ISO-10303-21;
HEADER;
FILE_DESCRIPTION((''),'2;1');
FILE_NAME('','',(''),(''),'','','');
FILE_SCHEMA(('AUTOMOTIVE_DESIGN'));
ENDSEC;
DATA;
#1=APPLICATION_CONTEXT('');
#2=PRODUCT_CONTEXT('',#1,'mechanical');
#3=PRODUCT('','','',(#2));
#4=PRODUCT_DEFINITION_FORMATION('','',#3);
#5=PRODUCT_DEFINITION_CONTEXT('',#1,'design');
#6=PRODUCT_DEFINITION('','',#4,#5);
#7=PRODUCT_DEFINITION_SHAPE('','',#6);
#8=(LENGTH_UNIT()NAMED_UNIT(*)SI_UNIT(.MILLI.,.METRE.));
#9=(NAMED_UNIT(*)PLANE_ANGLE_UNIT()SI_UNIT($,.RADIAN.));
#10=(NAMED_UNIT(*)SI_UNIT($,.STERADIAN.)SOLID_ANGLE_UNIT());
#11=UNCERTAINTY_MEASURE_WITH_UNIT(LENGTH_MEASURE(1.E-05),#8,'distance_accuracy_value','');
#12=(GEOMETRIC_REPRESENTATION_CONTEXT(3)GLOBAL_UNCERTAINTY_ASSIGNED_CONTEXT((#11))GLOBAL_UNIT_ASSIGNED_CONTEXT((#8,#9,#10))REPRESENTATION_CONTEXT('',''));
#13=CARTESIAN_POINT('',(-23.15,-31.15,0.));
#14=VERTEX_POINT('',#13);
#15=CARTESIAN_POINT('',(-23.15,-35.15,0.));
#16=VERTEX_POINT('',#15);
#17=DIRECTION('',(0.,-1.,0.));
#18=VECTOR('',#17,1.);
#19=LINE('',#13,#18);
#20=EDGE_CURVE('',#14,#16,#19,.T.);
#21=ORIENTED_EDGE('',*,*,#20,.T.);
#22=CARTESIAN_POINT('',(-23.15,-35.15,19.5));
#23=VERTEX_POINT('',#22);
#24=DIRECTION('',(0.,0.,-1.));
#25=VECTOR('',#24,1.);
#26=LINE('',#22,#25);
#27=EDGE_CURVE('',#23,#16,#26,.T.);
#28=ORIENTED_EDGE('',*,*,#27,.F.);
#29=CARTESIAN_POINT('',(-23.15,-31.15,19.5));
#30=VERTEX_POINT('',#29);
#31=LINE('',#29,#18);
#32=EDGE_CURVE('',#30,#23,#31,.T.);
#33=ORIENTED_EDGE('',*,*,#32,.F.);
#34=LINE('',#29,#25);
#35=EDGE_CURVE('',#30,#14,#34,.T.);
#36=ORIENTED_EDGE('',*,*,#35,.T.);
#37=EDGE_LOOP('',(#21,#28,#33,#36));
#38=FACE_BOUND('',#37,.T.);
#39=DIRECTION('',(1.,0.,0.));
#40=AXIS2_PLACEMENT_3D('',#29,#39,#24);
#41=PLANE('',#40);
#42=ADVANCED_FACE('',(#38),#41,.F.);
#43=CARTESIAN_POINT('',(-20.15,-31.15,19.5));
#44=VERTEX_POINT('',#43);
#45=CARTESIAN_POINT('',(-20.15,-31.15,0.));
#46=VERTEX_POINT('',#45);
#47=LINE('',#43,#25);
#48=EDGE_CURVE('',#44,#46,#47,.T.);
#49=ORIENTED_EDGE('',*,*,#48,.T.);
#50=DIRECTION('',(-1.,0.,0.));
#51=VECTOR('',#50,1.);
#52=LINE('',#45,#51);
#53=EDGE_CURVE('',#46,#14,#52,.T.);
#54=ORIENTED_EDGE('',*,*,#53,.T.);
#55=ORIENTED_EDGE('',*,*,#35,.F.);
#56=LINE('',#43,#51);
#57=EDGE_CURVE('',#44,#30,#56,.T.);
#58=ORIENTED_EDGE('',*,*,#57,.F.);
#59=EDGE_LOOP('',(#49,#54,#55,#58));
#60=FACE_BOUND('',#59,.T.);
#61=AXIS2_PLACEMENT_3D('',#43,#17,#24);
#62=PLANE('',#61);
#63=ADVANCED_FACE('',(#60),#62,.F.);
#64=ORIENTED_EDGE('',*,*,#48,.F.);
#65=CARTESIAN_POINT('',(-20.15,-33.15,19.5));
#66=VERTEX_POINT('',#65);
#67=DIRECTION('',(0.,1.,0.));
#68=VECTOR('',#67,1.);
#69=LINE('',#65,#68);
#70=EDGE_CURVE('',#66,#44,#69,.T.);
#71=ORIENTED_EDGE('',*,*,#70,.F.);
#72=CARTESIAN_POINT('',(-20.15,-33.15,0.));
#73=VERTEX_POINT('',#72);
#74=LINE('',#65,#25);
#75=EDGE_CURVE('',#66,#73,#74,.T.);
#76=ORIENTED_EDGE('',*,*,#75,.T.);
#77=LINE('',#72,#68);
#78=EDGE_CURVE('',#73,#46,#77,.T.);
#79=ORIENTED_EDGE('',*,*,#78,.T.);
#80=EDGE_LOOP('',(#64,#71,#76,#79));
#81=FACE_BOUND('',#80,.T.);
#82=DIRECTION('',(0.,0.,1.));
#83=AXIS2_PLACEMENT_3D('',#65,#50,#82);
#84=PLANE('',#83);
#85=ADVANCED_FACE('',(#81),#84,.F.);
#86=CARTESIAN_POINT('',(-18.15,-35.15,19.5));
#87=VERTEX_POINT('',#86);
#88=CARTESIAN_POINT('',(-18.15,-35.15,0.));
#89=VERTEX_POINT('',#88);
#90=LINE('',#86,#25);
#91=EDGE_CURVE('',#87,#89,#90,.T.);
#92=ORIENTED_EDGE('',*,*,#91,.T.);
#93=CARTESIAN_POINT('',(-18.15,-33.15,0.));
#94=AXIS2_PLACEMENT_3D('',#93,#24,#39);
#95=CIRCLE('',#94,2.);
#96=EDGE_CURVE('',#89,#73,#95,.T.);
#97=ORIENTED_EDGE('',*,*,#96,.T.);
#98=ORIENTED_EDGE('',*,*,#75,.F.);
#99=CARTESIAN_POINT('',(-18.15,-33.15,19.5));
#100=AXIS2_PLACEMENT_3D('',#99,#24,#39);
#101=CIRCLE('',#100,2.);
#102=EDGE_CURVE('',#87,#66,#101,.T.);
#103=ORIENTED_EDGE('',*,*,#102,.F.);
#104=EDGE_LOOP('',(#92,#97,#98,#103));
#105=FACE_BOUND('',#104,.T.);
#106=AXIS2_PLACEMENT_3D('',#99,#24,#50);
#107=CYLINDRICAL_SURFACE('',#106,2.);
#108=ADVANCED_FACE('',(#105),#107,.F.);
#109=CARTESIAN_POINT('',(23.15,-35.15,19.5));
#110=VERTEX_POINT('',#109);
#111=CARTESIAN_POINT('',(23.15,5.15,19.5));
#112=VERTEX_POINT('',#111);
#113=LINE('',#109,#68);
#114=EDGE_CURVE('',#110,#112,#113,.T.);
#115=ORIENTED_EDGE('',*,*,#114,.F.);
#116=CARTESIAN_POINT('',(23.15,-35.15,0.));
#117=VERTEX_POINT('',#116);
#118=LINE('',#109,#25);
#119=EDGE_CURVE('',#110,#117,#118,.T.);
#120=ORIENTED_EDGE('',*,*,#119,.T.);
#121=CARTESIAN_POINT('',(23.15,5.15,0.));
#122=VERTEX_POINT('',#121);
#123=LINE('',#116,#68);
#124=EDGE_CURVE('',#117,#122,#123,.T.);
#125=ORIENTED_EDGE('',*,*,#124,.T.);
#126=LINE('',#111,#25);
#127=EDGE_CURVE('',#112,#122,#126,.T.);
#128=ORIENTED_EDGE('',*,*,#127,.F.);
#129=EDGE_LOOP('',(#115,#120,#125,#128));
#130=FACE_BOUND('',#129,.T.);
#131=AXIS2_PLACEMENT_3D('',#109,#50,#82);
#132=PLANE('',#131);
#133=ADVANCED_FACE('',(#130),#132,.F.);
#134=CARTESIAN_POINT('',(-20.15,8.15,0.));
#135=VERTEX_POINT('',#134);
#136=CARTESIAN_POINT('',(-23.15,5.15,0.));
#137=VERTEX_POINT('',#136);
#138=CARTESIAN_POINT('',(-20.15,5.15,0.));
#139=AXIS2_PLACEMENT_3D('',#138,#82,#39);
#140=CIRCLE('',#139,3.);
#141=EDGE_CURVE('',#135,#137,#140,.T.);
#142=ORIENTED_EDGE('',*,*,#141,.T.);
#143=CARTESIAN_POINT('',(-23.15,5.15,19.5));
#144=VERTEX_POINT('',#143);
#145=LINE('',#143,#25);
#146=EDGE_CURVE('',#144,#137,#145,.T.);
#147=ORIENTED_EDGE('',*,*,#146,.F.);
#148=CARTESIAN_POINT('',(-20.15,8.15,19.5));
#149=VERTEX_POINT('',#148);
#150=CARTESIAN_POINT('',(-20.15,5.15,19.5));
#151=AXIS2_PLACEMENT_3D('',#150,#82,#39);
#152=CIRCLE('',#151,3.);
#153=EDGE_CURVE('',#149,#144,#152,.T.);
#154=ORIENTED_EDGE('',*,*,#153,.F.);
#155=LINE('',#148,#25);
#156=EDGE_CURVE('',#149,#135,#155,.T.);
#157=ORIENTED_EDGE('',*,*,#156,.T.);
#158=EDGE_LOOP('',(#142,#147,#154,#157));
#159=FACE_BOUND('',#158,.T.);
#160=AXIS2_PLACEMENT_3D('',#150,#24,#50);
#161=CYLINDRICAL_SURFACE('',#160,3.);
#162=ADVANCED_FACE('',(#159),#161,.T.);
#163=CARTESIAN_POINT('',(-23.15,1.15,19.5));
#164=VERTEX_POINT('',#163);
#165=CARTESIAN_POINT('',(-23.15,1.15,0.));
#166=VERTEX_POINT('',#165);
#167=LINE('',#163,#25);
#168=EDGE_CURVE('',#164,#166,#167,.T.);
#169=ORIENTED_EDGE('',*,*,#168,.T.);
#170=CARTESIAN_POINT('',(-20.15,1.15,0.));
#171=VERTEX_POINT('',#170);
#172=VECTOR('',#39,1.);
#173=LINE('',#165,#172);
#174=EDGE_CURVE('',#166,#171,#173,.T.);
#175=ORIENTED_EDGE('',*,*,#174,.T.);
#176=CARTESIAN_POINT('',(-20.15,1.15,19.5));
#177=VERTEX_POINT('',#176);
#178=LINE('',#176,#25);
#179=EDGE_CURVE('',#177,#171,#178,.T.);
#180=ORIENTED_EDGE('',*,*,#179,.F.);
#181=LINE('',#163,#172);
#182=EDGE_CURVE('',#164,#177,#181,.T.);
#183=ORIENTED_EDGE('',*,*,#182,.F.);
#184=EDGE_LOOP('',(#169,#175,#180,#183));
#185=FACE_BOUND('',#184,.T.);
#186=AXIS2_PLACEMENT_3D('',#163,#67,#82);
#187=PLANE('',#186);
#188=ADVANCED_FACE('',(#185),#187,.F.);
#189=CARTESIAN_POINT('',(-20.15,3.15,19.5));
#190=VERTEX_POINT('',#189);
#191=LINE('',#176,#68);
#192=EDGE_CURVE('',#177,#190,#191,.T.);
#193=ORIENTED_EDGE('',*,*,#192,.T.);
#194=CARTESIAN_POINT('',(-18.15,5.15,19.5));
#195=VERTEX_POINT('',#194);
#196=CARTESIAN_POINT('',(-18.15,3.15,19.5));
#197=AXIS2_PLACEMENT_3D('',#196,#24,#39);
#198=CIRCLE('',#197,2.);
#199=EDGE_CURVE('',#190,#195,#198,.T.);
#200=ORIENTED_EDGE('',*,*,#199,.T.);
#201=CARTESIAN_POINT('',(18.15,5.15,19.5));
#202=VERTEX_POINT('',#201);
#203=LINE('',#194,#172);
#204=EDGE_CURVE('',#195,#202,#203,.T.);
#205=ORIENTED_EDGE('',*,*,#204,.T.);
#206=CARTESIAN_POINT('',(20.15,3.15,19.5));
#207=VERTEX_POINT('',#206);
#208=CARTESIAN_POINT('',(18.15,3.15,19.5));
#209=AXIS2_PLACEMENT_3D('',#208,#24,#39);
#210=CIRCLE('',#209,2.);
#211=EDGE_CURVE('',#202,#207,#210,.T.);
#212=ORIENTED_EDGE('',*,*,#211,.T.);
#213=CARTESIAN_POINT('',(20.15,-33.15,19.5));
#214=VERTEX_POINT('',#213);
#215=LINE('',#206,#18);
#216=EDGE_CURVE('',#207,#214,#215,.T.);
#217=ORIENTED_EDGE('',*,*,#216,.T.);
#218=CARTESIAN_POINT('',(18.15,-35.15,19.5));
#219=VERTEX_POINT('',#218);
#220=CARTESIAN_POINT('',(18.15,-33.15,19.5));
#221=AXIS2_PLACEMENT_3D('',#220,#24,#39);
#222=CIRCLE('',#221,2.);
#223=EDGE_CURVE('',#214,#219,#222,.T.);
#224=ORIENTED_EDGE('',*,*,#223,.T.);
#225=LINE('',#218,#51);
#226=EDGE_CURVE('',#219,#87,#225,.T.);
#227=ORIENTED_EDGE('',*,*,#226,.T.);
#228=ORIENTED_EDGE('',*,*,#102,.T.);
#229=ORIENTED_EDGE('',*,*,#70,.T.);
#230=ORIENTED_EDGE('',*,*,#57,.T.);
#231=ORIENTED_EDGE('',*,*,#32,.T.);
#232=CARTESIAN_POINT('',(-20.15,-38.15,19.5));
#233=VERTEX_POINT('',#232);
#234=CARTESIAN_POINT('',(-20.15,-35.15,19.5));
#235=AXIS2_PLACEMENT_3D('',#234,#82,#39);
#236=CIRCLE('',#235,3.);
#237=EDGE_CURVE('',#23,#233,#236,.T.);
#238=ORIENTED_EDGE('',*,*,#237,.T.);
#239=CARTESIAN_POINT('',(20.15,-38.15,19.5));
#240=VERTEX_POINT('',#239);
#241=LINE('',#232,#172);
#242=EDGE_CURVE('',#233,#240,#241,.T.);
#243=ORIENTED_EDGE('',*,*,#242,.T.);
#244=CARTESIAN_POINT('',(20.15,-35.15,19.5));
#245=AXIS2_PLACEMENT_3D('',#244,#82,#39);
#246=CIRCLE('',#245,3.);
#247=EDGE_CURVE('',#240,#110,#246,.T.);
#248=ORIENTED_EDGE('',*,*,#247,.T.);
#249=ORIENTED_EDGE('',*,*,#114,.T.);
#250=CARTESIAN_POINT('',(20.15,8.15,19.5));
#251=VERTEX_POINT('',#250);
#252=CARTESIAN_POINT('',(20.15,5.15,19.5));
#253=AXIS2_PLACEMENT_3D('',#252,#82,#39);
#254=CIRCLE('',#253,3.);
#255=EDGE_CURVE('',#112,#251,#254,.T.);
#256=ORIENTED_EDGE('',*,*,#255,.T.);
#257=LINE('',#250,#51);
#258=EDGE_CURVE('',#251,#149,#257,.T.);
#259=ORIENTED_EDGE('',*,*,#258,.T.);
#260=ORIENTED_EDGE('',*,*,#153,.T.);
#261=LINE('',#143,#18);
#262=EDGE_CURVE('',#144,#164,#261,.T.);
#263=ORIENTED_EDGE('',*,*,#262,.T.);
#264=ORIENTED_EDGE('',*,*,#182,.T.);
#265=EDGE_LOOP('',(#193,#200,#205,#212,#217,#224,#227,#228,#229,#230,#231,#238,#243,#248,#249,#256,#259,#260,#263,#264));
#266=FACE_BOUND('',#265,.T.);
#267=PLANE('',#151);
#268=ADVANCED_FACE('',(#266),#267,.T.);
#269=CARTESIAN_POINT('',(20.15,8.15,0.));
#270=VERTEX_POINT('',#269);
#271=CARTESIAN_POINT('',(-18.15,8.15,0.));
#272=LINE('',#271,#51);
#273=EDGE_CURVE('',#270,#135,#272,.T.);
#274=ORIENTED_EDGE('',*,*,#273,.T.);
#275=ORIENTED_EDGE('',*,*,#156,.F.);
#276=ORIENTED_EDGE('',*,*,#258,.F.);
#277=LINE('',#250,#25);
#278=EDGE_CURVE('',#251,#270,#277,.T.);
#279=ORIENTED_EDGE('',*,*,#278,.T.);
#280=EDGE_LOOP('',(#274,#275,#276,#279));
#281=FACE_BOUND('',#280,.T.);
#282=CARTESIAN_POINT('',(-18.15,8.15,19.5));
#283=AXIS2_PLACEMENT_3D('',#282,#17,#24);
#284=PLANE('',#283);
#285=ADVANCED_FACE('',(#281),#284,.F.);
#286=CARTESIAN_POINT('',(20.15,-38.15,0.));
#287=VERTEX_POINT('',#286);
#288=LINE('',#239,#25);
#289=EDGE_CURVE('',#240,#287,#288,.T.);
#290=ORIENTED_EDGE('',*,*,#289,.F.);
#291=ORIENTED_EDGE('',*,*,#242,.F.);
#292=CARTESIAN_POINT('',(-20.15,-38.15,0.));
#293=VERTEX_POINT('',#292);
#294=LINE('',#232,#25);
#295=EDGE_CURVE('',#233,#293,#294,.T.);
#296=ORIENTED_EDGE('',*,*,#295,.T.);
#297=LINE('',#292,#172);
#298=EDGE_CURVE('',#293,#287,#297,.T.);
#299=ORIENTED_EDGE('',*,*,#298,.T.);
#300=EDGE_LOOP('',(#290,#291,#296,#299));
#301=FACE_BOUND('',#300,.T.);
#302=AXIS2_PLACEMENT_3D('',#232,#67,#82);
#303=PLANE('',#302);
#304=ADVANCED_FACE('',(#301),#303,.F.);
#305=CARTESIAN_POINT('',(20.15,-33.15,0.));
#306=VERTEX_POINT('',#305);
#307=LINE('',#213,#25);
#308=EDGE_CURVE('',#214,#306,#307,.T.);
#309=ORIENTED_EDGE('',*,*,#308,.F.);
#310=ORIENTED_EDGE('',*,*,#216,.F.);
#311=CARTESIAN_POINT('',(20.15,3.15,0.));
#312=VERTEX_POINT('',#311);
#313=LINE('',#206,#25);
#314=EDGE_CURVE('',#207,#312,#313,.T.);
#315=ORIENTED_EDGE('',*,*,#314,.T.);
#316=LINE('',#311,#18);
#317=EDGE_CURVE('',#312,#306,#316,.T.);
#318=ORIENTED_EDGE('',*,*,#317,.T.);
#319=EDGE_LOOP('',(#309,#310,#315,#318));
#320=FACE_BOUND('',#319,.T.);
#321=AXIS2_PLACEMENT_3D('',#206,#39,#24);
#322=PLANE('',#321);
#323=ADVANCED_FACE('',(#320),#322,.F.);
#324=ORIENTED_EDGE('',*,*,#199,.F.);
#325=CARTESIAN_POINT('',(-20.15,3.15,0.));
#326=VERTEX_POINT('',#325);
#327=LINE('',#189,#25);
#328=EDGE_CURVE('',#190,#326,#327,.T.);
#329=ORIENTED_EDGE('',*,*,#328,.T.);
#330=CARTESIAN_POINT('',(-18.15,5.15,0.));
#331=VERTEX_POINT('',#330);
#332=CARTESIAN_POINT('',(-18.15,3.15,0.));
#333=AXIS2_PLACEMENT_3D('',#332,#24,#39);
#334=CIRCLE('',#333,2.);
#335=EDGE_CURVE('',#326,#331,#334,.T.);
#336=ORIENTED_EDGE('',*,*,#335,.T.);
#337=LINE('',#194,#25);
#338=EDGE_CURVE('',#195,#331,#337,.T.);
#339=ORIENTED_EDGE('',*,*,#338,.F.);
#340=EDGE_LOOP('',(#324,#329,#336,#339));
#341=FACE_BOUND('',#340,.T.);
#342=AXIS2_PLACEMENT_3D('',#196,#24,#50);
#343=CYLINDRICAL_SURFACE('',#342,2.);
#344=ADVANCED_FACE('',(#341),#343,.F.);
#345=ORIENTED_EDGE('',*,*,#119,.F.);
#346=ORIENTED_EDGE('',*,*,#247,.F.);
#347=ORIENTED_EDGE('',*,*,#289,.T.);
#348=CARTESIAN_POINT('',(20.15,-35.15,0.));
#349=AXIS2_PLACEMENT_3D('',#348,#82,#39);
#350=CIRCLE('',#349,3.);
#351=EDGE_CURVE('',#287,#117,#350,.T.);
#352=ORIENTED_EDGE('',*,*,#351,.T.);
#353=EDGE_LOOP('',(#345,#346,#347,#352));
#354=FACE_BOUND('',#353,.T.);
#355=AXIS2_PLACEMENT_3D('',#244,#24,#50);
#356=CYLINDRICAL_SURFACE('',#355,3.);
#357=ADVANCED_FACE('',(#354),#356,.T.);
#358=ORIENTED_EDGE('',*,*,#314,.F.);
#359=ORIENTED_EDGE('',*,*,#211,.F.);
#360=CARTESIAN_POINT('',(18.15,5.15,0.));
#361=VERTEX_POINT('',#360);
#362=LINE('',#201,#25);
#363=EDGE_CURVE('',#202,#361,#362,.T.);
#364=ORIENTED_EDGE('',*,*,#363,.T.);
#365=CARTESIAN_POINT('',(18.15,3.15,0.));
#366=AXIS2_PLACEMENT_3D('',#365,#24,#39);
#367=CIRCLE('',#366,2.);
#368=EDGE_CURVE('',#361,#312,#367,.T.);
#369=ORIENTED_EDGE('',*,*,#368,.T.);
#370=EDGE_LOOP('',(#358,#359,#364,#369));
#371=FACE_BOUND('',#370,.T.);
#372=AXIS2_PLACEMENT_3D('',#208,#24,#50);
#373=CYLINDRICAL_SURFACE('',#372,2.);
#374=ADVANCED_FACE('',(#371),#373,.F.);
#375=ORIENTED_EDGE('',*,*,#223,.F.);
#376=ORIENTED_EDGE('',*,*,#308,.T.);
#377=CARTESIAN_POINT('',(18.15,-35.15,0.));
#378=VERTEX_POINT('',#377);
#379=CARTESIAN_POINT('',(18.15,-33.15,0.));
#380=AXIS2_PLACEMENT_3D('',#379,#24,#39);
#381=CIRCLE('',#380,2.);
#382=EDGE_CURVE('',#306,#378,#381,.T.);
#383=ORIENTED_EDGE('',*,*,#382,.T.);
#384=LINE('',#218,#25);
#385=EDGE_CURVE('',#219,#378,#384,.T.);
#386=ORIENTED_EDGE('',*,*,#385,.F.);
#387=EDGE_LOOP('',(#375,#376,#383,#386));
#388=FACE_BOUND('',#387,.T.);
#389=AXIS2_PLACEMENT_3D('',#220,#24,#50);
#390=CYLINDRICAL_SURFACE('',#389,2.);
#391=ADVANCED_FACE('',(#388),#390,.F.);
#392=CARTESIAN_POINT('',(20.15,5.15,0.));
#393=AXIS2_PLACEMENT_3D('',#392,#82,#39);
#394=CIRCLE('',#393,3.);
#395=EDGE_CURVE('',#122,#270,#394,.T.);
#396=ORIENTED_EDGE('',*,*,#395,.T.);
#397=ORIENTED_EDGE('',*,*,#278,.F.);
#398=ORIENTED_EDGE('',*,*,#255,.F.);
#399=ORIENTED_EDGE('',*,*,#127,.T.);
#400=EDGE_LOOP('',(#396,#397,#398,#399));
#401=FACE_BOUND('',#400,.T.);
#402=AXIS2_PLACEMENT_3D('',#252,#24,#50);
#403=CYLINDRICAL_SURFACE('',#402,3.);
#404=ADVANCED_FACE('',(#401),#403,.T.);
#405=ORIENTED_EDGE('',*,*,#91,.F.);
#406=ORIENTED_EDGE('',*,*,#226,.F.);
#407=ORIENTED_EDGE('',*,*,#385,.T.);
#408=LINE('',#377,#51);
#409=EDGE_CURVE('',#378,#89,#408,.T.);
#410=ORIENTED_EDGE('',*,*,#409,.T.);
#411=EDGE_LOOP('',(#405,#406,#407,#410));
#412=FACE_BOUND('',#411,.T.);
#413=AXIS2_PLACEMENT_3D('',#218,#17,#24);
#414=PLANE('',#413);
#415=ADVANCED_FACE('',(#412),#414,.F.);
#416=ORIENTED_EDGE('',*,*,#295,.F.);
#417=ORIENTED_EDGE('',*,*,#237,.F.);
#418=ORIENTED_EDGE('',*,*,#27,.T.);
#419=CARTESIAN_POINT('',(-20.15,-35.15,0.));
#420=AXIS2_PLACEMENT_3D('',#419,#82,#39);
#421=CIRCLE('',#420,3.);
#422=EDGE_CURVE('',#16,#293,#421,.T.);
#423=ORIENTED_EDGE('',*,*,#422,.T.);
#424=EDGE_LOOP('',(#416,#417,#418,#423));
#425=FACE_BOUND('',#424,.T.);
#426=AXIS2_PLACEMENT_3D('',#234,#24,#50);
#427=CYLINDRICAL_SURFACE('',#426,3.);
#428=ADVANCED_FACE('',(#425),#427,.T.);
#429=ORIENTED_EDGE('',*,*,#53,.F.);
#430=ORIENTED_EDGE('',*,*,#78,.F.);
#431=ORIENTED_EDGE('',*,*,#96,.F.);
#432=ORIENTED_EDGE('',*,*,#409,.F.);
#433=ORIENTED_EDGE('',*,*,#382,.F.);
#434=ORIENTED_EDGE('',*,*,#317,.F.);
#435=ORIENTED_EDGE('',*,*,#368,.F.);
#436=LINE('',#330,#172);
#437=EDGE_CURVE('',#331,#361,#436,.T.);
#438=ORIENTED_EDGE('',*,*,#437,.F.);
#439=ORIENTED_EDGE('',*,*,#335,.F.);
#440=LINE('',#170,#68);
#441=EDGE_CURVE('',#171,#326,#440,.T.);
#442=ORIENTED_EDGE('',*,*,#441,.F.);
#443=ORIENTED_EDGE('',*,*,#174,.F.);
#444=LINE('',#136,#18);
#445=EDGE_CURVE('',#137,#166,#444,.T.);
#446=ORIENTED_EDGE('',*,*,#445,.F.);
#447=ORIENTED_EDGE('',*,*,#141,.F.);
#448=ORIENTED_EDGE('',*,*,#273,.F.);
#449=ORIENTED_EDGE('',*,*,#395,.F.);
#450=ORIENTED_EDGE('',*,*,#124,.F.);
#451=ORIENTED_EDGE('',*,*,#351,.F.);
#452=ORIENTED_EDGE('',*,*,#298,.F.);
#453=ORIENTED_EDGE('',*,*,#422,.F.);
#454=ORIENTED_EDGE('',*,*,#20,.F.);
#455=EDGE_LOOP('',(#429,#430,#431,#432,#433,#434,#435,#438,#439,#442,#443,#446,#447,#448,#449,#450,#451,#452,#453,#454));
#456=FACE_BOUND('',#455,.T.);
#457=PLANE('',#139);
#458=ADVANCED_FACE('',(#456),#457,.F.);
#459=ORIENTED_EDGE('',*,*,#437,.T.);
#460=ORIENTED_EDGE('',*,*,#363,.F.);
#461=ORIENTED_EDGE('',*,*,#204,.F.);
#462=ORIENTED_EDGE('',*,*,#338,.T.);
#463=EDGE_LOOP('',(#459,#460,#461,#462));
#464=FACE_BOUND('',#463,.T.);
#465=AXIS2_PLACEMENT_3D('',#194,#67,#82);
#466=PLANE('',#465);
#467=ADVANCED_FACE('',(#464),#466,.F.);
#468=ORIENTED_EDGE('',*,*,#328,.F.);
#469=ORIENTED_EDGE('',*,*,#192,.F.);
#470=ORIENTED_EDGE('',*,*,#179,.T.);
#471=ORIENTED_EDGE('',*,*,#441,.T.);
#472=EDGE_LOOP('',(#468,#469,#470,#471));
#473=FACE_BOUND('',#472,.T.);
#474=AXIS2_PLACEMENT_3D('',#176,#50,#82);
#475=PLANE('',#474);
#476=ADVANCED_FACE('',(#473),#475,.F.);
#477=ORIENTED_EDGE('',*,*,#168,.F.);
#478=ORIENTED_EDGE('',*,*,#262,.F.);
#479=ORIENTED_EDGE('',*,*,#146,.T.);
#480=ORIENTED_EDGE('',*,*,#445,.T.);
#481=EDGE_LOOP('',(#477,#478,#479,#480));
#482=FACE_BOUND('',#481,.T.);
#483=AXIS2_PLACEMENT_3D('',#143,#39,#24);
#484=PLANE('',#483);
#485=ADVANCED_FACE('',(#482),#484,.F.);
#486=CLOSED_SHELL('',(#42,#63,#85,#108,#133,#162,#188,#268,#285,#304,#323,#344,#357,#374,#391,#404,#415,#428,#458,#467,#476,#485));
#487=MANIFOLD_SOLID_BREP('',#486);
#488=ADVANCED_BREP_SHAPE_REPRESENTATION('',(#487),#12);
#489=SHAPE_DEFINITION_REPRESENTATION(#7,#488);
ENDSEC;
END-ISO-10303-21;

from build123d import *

# Parameters (mm, degrees)
BOSS_EXTRUDE1_DEPTH = 19.5


with BuildPart() as part:
    # Sketch1 → Boss-Extrude1 (new body)
    with BuildSketch(Plane(origin=(0, 0, 0), x_dir=(0, 1, 0), z_dir=(0, 0, 1))):
        with BuildLine():
            Line((8.15, 18.15), (8.15, 20.15))
            ThreePointArc((8.15, 20.15), (7.271320344, 22.271320344), (5.15, 23.15))
            Line((5.15, 23.15), (1.15, 23.15))
            Line((1.15, 23.15), (1.15, 20.15))
            Line((1.15, 20.15), (3.15, 20.15))
            ThreePointArc((3.15, 20.15), (4.564213562, 19.564213562), (5.15, 18.15))
            Line((5.15, 18.15), (5.15, -18.15))
            ThreePointArc((5.15, -18.15), (4.564213562, -19.564213562), (3.15, -20.15))
            Line((3.15, -20.15), (-33.15, -20.15))
            ThreePointArc((-33.15, -20.15), (-34.564213562, -19.564213562), (-35.15, -18.15))
            Line((-35.15, -18.15), (-35.15, 18.15))
            ThreePointArc((-35.15, 18.15), (-34.564213562, 19.564213562), (-33.15, 20.15))
            Line((-33.15, 20.15), (-31.15, 20.15))
            Line((-31.15, 20.15), (-31.15, 23.15))
            Line((-31.15, 23.15), (-35.15, 23.15))
            ThreePointArc((-35.15, 23.15), (-37.271320344, 22.271320344), (-38.15, 20.15))
            Line((-38.15, 20.15), (-38.15, -20.15))
            ThreePointArc((-38.15, -20.15), (-37.271320344, -22.271320344), (-35.15, -23.15))
            Line((-35.15, -23.15), (5.15, -23.15))
            ThreePointArc((5.15, -23.15), (7.271320344, -22.271320344), (8.15, -20.15))
            Line((8.15, -20.15), (8.15, 18.15))
        make_face()
    extrude(amount=BOSS_EXTRUDE1_DEPTH)


solid = part.part
